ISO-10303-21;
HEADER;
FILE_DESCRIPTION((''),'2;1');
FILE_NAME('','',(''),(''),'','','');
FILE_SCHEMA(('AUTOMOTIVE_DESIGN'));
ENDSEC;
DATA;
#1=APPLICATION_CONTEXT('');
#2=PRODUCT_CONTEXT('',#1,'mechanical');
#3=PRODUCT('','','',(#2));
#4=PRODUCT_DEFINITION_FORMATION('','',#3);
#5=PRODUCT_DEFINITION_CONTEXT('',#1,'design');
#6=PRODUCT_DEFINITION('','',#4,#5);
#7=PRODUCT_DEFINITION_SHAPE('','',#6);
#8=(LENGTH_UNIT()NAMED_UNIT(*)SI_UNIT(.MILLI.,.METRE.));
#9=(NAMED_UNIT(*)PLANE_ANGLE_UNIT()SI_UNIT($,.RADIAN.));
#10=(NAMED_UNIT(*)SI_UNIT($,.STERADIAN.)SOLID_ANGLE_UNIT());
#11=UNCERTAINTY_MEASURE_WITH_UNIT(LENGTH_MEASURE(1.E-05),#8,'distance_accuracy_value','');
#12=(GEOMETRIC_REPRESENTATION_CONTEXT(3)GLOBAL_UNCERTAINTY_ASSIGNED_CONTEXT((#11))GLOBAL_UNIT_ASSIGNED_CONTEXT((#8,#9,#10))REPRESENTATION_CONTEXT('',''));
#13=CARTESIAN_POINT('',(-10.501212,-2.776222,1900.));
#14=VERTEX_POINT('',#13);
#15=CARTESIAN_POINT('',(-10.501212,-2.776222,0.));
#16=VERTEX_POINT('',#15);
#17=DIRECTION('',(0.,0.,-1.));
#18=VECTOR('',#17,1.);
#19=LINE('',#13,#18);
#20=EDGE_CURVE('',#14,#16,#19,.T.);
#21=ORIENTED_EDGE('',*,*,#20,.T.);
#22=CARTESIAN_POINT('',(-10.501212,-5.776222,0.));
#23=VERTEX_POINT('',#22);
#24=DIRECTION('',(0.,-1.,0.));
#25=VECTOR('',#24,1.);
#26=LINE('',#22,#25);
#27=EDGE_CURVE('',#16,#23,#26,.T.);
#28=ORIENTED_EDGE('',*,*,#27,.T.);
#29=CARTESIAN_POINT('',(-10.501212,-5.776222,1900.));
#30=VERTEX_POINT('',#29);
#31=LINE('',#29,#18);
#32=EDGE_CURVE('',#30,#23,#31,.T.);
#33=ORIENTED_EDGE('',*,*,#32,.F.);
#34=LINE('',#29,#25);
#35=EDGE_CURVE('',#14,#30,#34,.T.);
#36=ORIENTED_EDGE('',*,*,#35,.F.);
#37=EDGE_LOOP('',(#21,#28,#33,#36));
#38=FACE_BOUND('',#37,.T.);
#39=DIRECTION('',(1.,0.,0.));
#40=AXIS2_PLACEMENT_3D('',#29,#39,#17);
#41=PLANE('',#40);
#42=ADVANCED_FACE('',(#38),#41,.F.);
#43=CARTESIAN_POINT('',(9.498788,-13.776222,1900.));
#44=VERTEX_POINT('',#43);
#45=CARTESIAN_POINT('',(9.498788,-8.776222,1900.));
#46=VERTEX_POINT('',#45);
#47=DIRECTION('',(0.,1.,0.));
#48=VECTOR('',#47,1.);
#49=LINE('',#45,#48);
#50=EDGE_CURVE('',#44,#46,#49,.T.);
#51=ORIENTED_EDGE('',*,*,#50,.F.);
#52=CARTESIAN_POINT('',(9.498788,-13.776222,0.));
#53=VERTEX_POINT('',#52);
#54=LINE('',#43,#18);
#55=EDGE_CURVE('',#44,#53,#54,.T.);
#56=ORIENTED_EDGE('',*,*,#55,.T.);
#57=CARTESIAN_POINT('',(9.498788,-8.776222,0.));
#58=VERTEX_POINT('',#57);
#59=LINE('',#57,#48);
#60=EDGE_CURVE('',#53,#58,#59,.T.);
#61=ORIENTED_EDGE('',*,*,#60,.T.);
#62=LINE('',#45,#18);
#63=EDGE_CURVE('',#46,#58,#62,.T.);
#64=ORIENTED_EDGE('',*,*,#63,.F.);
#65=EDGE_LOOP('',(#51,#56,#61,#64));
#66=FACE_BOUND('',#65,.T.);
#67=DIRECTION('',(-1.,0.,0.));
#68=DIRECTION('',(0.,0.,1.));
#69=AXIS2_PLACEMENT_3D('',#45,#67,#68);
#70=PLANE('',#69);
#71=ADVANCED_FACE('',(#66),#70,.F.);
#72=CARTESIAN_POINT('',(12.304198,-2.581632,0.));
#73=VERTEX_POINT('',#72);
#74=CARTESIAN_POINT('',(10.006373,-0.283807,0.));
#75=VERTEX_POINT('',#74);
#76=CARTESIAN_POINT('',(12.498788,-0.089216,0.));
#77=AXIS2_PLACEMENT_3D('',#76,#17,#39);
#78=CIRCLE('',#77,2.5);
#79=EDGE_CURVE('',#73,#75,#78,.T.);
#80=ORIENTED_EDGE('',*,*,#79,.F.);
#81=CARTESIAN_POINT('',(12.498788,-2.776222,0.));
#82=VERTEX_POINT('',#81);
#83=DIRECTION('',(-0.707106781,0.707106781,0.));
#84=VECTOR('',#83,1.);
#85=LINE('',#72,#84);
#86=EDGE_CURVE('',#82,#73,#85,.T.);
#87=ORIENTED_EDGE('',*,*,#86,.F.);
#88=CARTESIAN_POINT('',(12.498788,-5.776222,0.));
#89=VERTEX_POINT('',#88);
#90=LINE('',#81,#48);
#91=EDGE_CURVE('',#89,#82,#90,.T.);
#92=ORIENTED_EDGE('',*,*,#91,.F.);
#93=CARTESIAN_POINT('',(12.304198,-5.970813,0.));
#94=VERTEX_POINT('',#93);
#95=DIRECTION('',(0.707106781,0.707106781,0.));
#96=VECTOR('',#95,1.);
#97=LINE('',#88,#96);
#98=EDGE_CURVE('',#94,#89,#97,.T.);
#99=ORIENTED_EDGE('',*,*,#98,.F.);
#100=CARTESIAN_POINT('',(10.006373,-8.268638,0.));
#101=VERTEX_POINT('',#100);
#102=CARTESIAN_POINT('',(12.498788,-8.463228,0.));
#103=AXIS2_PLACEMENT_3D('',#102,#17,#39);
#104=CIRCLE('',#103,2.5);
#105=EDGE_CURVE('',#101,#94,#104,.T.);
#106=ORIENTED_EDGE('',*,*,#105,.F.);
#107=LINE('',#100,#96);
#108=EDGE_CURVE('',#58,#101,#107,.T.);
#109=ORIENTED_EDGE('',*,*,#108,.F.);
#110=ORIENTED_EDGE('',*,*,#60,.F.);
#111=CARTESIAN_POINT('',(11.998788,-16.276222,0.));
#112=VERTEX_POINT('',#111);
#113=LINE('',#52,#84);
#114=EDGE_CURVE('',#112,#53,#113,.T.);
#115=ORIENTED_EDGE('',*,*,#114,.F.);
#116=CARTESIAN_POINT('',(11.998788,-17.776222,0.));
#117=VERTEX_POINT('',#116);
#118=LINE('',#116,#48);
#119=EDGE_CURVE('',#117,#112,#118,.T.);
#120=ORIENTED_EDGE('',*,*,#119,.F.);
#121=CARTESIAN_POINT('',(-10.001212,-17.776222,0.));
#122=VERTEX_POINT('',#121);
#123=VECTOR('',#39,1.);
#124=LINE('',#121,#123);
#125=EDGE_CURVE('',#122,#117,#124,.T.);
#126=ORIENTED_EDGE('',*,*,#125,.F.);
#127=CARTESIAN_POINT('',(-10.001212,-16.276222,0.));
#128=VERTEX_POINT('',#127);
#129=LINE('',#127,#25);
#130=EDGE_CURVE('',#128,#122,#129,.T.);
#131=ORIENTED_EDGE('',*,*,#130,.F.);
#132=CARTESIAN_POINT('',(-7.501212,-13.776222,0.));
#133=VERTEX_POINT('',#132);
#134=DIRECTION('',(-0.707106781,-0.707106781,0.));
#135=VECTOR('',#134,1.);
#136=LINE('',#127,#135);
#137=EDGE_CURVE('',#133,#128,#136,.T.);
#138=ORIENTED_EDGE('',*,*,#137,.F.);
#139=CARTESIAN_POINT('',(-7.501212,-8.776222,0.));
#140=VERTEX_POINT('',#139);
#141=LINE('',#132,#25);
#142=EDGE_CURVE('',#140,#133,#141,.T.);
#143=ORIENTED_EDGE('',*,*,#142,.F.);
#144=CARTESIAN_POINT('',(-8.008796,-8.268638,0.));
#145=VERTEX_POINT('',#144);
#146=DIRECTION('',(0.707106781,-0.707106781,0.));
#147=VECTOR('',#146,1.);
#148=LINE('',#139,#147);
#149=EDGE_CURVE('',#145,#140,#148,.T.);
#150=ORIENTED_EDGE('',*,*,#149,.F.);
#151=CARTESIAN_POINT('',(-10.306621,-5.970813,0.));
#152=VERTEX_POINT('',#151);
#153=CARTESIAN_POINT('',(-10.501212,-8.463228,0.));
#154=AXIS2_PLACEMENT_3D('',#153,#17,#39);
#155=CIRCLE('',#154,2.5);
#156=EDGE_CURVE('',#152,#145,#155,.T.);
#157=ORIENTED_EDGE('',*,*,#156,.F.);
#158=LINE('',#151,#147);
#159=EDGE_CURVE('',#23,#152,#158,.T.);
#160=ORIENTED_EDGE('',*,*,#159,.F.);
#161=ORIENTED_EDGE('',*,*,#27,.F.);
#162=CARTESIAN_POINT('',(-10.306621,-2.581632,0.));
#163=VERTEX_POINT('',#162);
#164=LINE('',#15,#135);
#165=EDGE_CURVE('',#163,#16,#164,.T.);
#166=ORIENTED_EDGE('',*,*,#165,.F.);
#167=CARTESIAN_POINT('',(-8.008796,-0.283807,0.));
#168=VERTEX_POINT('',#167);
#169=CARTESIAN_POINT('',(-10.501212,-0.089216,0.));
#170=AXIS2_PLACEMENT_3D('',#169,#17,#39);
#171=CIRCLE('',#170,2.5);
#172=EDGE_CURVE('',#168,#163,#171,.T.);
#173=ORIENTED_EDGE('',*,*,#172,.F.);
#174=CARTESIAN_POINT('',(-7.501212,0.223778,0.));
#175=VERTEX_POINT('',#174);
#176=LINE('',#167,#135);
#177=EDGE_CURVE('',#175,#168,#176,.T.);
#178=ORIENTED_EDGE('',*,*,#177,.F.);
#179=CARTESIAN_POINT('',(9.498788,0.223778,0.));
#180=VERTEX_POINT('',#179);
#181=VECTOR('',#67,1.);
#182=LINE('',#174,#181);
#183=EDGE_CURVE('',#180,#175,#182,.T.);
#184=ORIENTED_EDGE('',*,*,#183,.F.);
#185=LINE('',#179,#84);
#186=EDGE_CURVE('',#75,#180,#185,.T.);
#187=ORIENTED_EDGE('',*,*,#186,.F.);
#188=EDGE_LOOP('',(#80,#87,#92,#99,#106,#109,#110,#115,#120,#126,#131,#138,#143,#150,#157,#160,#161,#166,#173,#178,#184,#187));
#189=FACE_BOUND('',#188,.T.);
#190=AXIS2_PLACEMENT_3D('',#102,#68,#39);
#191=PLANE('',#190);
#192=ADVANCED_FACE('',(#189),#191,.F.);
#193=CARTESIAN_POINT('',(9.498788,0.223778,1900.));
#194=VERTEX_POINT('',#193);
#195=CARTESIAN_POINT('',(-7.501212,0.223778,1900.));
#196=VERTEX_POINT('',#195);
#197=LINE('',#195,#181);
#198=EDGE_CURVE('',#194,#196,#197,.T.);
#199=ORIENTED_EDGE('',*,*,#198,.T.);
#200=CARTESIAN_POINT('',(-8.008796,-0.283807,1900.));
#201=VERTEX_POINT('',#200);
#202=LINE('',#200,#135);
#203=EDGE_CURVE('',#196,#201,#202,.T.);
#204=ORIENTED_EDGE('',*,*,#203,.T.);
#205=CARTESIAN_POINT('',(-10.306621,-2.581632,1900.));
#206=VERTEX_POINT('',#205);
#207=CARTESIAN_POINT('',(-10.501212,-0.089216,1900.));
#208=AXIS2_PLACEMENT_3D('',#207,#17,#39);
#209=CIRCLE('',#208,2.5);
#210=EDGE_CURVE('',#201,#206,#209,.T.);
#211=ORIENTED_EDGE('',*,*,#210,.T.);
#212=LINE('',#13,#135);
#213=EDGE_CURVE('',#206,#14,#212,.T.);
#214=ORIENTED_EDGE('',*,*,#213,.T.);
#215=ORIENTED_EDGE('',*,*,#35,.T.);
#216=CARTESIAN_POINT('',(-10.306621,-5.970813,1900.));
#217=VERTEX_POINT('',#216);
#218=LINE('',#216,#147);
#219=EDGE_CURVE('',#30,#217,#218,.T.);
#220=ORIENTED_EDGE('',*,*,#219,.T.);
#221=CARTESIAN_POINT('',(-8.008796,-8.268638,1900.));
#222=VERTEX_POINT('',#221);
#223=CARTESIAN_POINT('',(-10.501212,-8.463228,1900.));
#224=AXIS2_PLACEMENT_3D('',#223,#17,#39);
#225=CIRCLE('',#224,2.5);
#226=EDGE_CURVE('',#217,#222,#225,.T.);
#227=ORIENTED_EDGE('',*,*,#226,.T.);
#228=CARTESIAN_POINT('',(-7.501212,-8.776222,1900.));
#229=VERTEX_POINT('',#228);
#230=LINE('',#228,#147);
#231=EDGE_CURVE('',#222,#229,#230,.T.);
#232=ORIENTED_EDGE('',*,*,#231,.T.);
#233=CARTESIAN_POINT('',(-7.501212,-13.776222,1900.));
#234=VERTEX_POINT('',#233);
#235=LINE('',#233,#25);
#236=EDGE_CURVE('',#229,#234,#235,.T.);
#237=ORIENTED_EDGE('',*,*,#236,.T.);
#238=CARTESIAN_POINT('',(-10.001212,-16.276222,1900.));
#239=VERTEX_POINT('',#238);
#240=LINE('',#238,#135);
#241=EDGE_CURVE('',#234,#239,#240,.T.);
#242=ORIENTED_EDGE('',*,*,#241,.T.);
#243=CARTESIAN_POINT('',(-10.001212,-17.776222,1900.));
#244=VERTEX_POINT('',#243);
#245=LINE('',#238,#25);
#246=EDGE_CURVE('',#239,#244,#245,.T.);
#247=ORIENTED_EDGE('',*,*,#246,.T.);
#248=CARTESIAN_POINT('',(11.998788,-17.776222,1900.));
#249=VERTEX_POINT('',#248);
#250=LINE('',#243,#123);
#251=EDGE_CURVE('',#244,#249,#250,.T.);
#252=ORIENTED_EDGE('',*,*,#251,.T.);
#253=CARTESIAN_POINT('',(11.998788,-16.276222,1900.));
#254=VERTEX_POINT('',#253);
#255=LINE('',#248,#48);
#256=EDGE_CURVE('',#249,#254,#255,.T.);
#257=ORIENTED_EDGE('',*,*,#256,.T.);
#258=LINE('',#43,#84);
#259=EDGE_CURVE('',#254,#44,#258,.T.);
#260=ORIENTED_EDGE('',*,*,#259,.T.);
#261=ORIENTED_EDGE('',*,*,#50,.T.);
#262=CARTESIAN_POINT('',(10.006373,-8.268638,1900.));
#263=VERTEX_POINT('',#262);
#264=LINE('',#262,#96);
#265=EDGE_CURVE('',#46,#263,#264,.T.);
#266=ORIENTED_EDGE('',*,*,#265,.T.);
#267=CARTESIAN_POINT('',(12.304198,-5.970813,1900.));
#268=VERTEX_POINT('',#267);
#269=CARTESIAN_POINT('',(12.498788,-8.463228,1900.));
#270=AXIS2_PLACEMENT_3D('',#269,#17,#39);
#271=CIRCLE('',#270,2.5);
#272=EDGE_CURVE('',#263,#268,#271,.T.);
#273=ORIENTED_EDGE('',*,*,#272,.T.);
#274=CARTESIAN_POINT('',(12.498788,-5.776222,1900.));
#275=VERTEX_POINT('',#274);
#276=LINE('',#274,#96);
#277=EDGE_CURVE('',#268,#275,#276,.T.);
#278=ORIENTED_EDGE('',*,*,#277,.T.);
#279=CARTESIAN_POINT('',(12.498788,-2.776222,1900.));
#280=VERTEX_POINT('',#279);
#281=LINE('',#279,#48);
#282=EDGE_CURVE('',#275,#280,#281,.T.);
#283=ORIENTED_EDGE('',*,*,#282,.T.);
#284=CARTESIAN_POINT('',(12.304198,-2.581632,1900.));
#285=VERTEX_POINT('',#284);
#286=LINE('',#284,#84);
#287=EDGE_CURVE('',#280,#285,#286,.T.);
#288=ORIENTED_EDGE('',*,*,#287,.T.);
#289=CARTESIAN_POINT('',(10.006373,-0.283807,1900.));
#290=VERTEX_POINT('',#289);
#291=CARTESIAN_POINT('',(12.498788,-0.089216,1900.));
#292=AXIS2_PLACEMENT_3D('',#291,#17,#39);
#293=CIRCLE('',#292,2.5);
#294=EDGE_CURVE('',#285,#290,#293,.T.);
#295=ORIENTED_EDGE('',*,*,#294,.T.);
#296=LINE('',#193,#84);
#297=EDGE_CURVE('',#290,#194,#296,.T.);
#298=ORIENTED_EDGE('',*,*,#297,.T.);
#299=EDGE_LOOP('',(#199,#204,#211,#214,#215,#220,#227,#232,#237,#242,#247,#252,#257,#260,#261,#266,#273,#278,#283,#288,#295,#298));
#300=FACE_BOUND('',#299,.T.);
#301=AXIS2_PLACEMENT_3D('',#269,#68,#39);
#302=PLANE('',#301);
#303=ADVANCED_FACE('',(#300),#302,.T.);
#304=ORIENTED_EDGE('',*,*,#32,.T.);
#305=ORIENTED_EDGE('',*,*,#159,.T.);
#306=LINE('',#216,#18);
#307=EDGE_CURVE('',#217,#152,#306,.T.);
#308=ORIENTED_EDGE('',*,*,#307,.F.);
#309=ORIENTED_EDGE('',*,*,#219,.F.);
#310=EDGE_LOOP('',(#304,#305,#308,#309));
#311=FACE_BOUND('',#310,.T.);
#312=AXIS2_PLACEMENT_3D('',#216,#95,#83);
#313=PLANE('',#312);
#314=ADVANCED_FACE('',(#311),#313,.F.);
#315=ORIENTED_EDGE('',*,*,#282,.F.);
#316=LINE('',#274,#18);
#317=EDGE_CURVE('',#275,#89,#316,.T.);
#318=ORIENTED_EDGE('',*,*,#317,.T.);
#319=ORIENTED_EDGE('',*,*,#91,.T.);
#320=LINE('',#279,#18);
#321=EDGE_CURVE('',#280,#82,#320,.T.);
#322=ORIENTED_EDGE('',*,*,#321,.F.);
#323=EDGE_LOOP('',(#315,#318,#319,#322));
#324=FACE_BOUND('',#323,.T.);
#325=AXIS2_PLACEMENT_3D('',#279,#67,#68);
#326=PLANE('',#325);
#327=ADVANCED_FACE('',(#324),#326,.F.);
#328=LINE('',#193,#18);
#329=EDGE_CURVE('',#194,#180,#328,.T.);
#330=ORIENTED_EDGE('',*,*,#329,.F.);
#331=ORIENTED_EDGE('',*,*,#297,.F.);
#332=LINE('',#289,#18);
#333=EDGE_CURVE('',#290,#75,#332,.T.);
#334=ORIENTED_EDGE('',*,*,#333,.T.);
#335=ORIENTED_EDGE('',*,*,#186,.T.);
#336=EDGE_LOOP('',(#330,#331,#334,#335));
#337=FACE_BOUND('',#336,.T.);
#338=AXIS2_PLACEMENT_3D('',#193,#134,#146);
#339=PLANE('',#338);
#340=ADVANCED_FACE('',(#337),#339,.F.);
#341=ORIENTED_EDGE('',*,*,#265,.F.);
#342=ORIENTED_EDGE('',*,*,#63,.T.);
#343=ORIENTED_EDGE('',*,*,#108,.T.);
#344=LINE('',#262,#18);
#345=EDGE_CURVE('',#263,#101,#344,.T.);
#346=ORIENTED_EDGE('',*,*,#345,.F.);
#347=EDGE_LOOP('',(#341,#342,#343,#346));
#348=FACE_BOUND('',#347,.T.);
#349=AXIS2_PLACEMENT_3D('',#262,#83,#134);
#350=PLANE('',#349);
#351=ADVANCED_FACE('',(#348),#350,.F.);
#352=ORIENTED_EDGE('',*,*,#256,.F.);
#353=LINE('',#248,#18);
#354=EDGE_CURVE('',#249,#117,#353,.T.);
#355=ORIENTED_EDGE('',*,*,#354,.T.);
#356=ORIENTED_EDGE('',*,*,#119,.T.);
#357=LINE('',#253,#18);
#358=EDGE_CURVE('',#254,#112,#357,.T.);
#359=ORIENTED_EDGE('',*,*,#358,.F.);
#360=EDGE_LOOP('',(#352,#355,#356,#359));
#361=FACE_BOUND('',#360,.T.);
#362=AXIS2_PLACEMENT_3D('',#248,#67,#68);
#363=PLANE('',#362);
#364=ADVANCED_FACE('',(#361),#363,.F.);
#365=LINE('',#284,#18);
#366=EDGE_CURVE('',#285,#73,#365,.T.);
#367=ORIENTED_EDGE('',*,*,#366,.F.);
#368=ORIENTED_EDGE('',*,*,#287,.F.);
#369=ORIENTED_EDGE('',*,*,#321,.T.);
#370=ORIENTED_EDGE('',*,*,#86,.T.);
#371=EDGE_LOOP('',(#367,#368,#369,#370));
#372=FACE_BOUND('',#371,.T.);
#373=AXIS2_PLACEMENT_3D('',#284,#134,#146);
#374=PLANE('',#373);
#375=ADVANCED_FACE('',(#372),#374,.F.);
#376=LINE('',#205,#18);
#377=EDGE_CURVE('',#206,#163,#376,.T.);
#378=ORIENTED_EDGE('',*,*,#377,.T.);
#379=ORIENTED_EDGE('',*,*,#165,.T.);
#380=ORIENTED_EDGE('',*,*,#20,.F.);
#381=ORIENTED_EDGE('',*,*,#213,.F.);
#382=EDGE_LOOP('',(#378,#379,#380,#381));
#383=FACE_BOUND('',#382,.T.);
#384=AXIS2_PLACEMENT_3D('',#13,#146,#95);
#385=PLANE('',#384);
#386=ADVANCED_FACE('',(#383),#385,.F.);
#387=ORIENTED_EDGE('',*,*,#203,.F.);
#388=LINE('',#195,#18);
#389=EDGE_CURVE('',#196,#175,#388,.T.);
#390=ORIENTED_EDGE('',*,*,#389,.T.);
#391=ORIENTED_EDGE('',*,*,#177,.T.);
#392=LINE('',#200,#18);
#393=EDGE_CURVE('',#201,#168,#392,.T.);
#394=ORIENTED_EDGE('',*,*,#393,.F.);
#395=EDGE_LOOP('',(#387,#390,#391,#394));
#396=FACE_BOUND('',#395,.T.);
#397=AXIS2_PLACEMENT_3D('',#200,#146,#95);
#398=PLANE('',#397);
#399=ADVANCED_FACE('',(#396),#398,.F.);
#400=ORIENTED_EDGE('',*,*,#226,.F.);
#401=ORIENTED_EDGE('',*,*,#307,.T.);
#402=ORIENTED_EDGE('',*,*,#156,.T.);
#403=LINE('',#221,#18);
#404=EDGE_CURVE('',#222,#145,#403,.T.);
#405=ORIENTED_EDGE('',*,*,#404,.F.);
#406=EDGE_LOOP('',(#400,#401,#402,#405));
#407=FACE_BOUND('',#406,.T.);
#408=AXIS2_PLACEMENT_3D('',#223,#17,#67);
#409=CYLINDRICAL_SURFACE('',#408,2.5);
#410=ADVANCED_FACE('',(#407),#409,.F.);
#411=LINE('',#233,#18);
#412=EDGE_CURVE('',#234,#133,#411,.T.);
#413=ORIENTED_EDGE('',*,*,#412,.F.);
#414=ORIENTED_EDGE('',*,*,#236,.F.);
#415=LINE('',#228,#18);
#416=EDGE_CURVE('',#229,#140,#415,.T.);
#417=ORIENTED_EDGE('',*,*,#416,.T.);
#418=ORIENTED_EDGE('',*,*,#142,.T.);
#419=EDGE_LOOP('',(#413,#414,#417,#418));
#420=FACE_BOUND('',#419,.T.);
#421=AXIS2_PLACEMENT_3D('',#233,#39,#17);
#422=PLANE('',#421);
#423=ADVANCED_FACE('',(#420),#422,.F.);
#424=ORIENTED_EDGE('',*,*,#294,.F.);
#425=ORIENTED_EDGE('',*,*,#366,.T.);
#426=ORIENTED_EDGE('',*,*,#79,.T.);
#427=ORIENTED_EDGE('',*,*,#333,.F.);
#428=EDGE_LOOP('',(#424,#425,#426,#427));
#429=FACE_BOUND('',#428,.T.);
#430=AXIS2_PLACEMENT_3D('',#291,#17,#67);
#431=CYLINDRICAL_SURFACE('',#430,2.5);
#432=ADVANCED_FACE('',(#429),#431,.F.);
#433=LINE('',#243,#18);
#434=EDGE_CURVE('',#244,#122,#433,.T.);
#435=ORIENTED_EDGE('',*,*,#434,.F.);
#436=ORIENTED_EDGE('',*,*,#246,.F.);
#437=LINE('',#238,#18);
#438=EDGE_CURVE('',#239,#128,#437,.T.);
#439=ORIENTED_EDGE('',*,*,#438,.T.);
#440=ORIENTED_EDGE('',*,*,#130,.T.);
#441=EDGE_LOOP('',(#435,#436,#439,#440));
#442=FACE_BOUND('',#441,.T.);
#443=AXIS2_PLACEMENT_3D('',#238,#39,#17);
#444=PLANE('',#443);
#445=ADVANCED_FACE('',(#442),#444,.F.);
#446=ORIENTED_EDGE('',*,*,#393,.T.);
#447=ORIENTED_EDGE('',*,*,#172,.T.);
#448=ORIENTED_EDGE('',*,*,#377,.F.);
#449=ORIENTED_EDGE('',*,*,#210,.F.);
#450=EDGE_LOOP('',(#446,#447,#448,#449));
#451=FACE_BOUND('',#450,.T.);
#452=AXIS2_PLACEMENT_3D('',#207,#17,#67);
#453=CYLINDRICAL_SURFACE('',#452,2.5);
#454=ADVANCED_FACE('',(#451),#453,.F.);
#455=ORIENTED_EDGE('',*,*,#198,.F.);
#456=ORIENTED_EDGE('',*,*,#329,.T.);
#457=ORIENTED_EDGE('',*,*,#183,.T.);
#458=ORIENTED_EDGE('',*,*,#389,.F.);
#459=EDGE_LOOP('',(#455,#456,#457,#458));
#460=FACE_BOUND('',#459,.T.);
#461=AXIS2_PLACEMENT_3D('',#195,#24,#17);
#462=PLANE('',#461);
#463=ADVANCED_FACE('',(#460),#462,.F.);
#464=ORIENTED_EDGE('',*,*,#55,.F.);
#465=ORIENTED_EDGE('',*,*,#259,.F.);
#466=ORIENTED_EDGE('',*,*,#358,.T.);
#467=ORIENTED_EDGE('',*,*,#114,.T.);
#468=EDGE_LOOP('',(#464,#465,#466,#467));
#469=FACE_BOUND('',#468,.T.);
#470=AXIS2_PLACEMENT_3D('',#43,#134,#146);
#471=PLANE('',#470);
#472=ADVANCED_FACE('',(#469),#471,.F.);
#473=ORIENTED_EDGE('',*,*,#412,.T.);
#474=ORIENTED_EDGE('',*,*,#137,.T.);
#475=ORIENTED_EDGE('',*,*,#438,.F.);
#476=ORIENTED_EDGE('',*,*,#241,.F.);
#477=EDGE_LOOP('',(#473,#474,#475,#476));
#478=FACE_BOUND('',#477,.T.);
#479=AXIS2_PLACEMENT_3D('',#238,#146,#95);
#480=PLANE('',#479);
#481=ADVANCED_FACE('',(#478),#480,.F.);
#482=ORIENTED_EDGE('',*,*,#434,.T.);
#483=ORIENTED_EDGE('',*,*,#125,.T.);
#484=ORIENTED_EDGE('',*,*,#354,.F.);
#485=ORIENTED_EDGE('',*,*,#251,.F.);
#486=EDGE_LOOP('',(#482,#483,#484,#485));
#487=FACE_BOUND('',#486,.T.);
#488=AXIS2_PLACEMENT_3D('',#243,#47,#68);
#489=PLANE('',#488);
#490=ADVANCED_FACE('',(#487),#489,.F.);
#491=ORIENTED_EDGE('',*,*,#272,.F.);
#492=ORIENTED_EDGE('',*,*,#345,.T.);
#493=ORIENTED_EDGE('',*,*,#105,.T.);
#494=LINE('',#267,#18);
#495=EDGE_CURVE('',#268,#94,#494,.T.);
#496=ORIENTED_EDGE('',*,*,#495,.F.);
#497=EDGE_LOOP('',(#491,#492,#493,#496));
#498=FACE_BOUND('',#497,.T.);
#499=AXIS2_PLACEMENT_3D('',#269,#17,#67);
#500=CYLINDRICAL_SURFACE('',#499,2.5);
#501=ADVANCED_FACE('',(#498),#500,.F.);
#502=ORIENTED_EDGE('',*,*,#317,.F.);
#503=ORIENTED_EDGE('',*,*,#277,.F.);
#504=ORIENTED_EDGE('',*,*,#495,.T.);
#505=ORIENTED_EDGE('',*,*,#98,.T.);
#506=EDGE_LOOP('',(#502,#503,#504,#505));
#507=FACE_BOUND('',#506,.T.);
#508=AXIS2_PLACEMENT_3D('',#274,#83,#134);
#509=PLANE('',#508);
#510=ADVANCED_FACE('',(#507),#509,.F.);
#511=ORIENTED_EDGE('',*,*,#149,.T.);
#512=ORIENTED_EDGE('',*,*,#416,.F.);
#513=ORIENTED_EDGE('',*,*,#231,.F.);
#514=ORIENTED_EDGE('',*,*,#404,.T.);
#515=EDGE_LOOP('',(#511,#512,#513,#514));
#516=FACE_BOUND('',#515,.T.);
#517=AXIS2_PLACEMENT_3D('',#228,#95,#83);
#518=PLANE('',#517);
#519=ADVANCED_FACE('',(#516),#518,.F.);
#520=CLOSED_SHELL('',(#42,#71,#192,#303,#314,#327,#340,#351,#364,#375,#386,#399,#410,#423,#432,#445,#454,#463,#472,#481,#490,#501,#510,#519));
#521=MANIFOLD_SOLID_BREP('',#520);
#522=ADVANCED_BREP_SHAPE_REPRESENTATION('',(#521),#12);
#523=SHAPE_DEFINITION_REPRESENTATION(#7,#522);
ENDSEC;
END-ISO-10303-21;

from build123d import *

# Parameters (mm, degrees)
ESTRUSIONE_ESTRUSIONE1_DEPTH = 1900


with BuildPart() as part:
    # Schizzo1 → Estrusione-Estrusione1 (new body)
    with BuildSketch(Plane.XY):
        with BuildLine():
            Line((-10.001211602, -16.276222172), (-7.501211602, -13.776222172))
            Line((-7.501211602, -13.776222172), (-7.501211602, -8.776222172))
            Line((-7.501211602, -8.776222172), (-8.008796188, -8.268637585))
            ThreePointArc((-8.008796188, -8.268637585), (-8.733444649, -6.695460987), (-10.306621247, -5.970812526))
            Line((-10.306621247, -5.970812526), (-10.501211602, -5.776222172))
            Line((-10.501211602, -5.776222172), (-10.501211602, -2.776222172))
            Line((-10.501211602, -2.776222172), (-10.306621247, -2.581631817))
            ThreePointArc((-10.306621247, -2.581631817), (-8.733444649, -1.856983356), (-8.008796188, -0.283806758))
            Line((-8.008796188, -0.283806758), (-7.501211602, 0.223777828))
            Line((-7.501211602, 0.223777828), (9.498788398, 0.223777828))
            Line((9.498788398, 0.223777828), (10.006372984, -0.283806758))
            ThreePointArc((10.006372984, -0.283806758), (10.731021445, -1.856983356), (12.304198043, -2.581631817))
            Line((12.304198043, -2.581631817), (12.498788398, -2.776222172))
            Line((12.498788398, -2.776222172), (12.498788398, -5.776222172))
            Line((12.498788398, -5.776222172), (12.304198043, -5.970812526))
            ThreePointArc((12.304198043, -5.970812526), (10.731021445, -6.695460987), (10.006372984, -8.268637585))
            Line((10.006372984, -8.268637585), (9.498788398, -8.776222172))
            Line((9.498788398, -8.776222172), (9.498788398, -13.776222172))
            Line((9.498788398, -13.776222172), (11.998788398, -16.276222172))
            Line((11.998788398, -16.276222172), (11.998788398, -17.776222172))
            Line((11.998788398, -17.776222172), (-10.001211602, -17.776222172))
            Line((-10.001211602, -17.776222172), (-10.001211602, -16.276222172))
        make_face()
    extrude(amount=ESTRUSIONE_ESTRUSIONE1_DEPTH)


solid = part.part
